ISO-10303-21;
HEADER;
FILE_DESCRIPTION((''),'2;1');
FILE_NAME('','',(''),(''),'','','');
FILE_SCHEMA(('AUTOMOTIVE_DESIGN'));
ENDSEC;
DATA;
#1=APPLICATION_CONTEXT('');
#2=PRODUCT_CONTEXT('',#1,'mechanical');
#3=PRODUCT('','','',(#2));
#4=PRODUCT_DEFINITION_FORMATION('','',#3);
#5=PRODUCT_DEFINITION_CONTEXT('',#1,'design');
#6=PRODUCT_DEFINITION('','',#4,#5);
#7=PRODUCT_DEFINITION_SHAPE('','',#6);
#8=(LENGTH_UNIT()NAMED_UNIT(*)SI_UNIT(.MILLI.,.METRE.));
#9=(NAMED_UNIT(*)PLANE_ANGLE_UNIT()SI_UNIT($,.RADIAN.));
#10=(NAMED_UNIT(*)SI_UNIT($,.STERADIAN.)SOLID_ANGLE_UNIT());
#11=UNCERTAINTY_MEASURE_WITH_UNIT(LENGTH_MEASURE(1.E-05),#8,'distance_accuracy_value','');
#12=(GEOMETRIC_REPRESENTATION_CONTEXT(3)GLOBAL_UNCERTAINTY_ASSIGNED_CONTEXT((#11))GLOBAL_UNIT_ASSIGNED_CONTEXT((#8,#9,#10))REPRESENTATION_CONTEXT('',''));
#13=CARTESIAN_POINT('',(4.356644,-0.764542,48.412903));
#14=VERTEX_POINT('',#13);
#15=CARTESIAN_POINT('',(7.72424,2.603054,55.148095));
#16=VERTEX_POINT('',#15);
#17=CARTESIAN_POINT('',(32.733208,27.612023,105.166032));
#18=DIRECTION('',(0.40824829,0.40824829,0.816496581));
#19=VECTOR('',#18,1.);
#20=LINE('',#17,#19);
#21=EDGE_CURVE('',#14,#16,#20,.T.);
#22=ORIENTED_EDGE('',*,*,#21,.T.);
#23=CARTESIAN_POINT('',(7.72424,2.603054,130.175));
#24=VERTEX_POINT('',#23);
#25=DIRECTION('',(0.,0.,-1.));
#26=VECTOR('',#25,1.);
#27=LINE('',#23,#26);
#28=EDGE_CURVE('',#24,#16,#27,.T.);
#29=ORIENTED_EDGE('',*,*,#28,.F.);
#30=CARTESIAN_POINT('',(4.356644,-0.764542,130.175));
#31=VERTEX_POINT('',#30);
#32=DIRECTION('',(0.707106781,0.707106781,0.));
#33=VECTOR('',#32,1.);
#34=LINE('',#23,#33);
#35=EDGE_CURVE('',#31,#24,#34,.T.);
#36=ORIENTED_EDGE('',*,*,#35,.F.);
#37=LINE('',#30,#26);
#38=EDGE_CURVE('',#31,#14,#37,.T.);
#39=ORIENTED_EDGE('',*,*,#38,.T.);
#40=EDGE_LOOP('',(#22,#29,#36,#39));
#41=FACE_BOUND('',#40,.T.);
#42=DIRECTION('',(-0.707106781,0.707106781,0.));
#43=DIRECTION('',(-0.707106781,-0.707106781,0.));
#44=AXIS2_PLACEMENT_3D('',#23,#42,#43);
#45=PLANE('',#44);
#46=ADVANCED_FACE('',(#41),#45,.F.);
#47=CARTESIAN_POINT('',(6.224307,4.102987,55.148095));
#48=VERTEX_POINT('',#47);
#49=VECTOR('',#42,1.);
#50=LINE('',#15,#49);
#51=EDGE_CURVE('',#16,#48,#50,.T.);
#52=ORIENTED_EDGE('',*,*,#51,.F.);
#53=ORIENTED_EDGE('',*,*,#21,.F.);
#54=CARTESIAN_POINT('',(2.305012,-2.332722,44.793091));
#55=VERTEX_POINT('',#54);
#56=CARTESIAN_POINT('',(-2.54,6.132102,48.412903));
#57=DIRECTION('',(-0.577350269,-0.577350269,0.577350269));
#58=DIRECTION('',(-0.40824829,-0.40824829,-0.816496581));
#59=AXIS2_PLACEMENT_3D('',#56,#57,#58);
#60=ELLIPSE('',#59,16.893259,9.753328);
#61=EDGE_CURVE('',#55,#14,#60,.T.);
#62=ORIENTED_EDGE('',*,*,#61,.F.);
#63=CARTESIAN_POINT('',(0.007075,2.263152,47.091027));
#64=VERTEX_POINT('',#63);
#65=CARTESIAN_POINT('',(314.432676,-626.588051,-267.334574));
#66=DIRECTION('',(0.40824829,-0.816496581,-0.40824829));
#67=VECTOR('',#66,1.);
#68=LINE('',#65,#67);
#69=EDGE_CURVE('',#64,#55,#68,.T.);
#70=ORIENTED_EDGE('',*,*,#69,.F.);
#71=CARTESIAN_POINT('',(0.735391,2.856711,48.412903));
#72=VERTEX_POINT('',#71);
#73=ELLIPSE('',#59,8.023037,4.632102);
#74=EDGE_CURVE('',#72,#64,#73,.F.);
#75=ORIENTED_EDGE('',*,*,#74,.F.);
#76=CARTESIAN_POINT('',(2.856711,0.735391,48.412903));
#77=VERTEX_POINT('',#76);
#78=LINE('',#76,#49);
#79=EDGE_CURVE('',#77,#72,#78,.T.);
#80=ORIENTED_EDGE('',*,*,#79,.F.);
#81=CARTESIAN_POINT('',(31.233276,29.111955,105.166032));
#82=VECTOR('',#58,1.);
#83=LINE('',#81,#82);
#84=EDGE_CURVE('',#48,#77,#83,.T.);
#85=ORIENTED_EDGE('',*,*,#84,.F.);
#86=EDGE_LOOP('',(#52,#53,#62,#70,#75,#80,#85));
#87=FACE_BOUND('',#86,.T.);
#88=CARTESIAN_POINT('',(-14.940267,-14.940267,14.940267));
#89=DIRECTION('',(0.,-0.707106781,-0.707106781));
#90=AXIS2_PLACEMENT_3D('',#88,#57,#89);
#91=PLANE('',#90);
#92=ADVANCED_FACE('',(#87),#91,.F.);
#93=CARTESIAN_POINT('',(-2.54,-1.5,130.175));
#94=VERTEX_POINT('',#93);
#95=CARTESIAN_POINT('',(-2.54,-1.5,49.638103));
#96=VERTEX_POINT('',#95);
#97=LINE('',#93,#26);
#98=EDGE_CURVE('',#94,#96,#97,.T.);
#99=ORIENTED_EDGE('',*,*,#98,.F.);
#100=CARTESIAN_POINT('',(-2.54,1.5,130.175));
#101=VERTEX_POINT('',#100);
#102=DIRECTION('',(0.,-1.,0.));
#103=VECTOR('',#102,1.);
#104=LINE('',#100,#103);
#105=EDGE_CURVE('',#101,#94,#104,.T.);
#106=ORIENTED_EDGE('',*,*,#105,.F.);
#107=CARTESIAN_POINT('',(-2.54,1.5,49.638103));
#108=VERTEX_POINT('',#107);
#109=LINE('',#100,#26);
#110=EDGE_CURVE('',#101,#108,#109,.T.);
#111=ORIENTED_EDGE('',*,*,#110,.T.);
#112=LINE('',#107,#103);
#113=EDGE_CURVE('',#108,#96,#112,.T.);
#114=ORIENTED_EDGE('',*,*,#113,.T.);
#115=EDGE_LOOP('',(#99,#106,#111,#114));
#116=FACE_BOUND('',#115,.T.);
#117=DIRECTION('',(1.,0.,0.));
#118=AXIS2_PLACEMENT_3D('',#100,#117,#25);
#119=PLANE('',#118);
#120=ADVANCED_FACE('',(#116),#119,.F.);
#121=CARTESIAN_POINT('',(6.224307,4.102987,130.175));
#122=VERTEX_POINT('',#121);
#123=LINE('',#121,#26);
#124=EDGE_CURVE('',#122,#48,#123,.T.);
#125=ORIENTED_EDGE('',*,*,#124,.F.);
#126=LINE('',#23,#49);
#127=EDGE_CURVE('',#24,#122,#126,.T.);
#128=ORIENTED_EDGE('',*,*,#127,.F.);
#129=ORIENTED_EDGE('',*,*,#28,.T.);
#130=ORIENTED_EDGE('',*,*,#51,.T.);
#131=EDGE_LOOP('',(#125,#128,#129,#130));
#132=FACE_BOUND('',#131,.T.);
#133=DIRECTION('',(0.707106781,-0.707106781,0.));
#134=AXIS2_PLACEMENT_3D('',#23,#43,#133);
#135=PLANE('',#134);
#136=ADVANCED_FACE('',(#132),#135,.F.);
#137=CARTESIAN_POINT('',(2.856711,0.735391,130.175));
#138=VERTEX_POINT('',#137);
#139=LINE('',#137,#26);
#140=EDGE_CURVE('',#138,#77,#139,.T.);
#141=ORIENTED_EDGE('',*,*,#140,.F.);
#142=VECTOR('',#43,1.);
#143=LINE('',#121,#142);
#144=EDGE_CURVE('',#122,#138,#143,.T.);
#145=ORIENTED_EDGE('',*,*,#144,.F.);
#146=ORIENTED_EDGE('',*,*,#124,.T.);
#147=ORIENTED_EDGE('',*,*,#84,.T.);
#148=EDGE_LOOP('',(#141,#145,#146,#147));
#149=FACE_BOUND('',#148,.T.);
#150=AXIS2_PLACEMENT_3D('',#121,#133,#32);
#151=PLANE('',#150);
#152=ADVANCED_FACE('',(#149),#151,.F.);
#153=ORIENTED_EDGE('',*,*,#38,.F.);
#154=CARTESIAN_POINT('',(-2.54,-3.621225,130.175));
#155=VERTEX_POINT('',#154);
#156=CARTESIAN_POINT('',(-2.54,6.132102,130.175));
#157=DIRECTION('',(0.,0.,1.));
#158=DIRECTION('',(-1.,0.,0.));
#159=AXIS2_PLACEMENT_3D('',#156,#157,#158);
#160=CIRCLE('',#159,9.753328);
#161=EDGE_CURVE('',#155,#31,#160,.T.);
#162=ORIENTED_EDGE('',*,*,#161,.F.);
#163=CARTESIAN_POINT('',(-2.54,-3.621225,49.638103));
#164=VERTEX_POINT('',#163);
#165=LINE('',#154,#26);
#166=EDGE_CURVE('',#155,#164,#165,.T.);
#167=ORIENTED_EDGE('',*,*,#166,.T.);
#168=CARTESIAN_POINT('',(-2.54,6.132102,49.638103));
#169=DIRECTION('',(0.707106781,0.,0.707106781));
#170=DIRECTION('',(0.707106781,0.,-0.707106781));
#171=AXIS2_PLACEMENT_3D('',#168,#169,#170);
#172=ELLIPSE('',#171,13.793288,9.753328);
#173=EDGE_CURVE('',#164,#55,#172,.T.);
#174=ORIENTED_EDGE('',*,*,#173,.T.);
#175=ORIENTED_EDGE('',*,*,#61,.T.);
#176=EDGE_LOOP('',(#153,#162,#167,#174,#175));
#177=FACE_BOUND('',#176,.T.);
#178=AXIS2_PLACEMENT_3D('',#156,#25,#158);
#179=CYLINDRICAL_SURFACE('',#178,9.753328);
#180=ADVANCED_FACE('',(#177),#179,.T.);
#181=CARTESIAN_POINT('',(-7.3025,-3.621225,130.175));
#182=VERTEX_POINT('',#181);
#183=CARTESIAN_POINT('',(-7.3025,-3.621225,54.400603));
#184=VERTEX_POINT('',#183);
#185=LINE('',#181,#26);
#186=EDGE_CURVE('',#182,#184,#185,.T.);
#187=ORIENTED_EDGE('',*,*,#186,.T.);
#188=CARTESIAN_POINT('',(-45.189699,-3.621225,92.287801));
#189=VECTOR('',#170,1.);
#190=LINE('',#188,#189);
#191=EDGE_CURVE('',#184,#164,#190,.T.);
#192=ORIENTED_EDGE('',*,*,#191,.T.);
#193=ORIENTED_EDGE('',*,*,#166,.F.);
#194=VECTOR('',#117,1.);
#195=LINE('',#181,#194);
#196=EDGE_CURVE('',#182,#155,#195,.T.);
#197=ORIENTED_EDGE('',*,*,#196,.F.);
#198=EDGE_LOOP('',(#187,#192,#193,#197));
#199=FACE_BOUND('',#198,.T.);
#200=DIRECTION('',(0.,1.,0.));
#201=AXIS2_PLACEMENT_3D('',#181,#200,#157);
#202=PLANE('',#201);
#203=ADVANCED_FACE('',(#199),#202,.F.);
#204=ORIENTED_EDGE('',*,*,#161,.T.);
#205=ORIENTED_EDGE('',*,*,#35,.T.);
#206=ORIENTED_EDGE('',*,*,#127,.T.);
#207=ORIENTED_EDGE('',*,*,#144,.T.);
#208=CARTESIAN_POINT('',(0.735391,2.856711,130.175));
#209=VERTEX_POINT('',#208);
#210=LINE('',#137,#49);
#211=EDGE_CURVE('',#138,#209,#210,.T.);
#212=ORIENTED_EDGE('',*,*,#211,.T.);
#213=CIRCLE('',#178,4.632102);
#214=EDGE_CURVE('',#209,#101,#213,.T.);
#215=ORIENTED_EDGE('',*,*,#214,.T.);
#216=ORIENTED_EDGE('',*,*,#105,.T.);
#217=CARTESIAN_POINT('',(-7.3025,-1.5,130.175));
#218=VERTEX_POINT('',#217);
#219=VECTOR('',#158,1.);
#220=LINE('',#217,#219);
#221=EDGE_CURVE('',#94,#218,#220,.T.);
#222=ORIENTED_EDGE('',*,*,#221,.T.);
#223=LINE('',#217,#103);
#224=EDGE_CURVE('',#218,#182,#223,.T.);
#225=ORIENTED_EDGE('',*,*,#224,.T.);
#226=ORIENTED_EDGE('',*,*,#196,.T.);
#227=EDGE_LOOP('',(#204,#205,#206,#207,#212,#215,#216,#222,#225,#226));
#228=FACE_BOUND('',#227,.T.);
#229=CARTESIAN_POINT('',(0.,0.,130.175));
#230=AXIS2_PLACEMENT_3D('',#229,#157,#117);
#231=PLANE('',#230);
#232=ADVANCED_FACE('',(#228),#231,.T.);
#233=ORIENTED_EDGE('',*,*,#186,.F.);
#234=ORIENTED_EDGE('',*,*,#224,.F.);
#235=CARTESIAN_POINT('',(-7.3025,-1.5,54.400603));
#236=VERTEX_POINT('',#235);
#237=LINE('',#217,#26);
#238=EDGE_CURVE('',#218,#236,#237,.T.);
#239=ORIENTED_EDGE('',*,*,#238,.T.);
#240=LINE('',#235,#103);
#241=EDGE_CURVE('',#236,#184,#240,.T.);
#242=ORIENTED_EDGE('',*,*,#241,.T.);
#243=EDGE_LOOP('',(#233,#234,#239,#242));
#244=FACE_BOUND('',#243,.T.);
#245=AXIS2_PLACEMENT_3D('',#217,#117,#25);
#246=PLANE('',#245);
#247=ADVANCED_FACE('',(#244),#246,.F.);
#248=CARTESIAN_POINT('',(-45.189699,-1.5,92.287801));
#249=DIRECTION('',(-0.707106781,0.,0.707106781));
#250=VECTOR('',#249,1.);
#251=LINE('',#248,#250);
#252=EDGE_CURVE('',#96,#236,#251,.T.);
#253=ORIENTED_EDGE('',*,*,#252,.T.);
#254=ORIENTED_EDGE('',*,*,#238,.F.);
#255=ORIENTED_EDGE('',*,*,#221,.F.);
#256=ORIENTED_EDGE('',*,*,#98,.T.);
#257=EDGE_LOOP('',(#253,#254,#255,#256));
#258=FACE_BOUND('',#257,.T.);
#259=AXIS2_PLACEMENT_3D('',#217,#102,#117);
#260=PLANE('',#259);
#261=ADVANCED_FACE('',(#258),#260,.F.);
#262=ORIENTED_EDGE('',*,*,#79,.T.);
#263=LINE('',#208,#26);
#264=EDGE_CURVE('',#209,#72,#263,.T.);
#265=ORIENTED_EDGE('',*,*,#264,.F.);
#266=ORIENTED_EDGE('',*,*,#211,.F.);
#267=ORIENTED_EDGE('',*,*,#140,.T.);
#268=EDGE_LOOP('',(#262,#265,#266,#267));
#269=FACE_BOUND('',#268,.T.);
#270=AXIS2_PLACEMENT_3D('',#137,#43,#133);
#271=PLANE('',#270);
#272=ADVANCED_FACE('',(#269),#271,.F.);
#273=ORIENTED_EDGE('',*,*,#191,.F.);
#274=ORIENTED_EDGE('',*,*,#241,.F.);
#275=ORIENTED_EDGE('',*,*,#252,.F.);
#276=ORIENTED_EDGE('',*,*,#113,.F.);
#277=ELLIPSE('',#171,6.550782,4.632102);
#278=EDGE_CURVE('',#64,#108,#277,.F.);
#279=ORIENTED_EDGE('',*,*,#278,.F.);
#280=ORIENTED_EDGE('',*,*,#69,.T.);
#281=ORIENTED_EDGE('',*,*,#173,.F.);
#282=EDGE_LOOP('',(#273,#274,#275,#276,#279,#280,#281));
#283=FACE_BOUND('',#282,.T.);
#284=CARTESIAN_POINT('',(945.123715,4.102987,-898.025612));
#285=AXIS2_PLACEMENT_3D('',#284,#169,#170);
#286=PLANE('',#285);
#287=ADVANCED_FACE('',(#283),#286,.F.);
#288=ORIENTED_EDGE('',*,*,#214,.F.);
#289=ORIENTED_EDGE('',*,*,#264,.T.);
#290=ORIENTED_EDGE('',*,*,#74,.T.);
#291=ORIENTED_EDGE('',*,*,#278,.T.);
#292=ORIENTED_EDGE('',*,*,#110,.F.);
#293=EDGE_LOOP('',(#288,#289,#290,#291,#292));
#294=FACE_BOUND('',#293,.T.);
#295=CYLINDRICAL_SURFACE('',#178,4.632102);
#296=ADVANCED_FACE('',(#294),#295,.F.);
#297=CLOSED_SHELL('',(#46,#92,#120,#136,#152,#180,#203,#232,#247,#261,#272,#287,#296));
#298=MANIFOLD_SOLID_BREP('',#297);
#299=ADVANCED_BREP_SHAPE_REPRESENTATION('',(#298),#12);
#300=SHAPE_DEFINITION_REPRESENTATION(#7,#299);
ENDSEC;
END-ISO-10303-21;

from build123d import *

# Parameters (mm, degrees)
SKETCH7_W               = 4.7625
SKETCH7_H               = 2.12122512
BOSS_EXTRUDE2_DEPTH     = 130.175
BOSS_EXTRUDE3_DEPTH     = 130.175
BOSS_EXTRUDE4_DEPTH     = 130.175
CUT_EXTRUDE1_DEPTH      = 1
CUT_EXTRUDE1_DEPTH_BACK = 118.807865064
SKETCH18_W              = 254
SKETCH18_H              = 254
CUT_EXTRUDE2_DEPTH      = 80.261506


with BuildPart() as part:
    # Sketch7 → Boss-Extrude2 (new body, symmetric)
    with BuildSketch(Plane.XY):
        with Locations((-4.92125, -2.560612608)):
            Rectangle(SKETCH7_W, SKETCH7_H)
    extrude(amount=BOSS_EXTRUDE2_DEPTH, both=True)



with BuildPart() as body_2:
    # Sketch8 → Boss-Extrude3 (new body, symmetric)
    with BuildSketch(Plane.XY):
        Polygon((2.85671143, 0.735391018), (6.224307475, 4.102987064), (7.724240142, 2.603054397), (4.356644097, -0.764541648), align=None)
    extrude(amount=BOSS_EXTRUDE3_DEPTH, both=True)


with BuildPart() as part_1:
    add(part.part)

    add(body_2.part)  # Boss-Extrude4 merges body 2
    # Sketch11 → Boss-Extrude4 (add, symmetric)
    with BuildSketch(Plane.XY):
        with BuildLine():
            Line((-2.54, -1.500000048), (-7.3025, -1.500000048))
            Line((-7.3025, -1.500000048), (-7.3025, -3.621225168))
            Line((-7.3025, -3.621225168), (-2.54, -3.621225168))
            ThreePointArc((-2.54, -3.621225168), (1.192436889, -2.87879731), (4.356644097, -0.764541648))
            Line((4.356644097, -0.764541648), (7.724240142, 2.603054397))
            Line((7.724240142, 2.603054397), (6.224307475, 4.102987064))
            Line((6.224307475, 4.102987064), (2.85671143, 0.735391018))
            Line((2.85671143, 0.735391018), (0.735391018, 2.85671143))
            ThreePointArc((0.735391018, 2.85671143), (-0.767371154, 1.852597848), (-2.54, 1.500000048))
            Line((-2.54, 1.500000048), (-2.54, -1.500000048))
        make_face()
    extrude(amount=BOSS_EXTRUDE4_DEPTH, both=True)

    # Sketch17 → Cut-Extrude1 (cut, two sides)
    with BuildSketch(Plane(origin=(47.098102576, -113.704878, 0), x_dir=(-1, 0, 0), z_dir=(0, -1, 0))) as cut_extrude1_sk:
        Polygon((-898.025612107, 898.025612107), (898.025612107, -898.025612107), (2694.076836321, 898.025612107), (898.025612107, 2694.076836321), align=None)
    extrude(amount=CUT_EXTRUDE1_DEPTH, mode=Mode.SUBTRACT)
    extrude(cut_extrude1_sk.sketch, amount=-CUT_EXTRUDE1_DEPTH_BACK, mode=Mode.SUBTRACT)

    # Sketch18 → Cut-Extrude2 (cut)
    with BuildSketch(Plane(origin=(47.098102576, 47.098102576, 0), x_dir=(0.816496581, -0.40824829, 0.40824829), z_dir=(0.577350269, 0.577350269, -0.577350269))):
        Rectangle(SKETCH18_W, SKETCH18_H)
    extrude(amount=-CUT_EXTRUDE2_DEPTH, mode=Mode.SUBTRACT)


solid = part_1.part
